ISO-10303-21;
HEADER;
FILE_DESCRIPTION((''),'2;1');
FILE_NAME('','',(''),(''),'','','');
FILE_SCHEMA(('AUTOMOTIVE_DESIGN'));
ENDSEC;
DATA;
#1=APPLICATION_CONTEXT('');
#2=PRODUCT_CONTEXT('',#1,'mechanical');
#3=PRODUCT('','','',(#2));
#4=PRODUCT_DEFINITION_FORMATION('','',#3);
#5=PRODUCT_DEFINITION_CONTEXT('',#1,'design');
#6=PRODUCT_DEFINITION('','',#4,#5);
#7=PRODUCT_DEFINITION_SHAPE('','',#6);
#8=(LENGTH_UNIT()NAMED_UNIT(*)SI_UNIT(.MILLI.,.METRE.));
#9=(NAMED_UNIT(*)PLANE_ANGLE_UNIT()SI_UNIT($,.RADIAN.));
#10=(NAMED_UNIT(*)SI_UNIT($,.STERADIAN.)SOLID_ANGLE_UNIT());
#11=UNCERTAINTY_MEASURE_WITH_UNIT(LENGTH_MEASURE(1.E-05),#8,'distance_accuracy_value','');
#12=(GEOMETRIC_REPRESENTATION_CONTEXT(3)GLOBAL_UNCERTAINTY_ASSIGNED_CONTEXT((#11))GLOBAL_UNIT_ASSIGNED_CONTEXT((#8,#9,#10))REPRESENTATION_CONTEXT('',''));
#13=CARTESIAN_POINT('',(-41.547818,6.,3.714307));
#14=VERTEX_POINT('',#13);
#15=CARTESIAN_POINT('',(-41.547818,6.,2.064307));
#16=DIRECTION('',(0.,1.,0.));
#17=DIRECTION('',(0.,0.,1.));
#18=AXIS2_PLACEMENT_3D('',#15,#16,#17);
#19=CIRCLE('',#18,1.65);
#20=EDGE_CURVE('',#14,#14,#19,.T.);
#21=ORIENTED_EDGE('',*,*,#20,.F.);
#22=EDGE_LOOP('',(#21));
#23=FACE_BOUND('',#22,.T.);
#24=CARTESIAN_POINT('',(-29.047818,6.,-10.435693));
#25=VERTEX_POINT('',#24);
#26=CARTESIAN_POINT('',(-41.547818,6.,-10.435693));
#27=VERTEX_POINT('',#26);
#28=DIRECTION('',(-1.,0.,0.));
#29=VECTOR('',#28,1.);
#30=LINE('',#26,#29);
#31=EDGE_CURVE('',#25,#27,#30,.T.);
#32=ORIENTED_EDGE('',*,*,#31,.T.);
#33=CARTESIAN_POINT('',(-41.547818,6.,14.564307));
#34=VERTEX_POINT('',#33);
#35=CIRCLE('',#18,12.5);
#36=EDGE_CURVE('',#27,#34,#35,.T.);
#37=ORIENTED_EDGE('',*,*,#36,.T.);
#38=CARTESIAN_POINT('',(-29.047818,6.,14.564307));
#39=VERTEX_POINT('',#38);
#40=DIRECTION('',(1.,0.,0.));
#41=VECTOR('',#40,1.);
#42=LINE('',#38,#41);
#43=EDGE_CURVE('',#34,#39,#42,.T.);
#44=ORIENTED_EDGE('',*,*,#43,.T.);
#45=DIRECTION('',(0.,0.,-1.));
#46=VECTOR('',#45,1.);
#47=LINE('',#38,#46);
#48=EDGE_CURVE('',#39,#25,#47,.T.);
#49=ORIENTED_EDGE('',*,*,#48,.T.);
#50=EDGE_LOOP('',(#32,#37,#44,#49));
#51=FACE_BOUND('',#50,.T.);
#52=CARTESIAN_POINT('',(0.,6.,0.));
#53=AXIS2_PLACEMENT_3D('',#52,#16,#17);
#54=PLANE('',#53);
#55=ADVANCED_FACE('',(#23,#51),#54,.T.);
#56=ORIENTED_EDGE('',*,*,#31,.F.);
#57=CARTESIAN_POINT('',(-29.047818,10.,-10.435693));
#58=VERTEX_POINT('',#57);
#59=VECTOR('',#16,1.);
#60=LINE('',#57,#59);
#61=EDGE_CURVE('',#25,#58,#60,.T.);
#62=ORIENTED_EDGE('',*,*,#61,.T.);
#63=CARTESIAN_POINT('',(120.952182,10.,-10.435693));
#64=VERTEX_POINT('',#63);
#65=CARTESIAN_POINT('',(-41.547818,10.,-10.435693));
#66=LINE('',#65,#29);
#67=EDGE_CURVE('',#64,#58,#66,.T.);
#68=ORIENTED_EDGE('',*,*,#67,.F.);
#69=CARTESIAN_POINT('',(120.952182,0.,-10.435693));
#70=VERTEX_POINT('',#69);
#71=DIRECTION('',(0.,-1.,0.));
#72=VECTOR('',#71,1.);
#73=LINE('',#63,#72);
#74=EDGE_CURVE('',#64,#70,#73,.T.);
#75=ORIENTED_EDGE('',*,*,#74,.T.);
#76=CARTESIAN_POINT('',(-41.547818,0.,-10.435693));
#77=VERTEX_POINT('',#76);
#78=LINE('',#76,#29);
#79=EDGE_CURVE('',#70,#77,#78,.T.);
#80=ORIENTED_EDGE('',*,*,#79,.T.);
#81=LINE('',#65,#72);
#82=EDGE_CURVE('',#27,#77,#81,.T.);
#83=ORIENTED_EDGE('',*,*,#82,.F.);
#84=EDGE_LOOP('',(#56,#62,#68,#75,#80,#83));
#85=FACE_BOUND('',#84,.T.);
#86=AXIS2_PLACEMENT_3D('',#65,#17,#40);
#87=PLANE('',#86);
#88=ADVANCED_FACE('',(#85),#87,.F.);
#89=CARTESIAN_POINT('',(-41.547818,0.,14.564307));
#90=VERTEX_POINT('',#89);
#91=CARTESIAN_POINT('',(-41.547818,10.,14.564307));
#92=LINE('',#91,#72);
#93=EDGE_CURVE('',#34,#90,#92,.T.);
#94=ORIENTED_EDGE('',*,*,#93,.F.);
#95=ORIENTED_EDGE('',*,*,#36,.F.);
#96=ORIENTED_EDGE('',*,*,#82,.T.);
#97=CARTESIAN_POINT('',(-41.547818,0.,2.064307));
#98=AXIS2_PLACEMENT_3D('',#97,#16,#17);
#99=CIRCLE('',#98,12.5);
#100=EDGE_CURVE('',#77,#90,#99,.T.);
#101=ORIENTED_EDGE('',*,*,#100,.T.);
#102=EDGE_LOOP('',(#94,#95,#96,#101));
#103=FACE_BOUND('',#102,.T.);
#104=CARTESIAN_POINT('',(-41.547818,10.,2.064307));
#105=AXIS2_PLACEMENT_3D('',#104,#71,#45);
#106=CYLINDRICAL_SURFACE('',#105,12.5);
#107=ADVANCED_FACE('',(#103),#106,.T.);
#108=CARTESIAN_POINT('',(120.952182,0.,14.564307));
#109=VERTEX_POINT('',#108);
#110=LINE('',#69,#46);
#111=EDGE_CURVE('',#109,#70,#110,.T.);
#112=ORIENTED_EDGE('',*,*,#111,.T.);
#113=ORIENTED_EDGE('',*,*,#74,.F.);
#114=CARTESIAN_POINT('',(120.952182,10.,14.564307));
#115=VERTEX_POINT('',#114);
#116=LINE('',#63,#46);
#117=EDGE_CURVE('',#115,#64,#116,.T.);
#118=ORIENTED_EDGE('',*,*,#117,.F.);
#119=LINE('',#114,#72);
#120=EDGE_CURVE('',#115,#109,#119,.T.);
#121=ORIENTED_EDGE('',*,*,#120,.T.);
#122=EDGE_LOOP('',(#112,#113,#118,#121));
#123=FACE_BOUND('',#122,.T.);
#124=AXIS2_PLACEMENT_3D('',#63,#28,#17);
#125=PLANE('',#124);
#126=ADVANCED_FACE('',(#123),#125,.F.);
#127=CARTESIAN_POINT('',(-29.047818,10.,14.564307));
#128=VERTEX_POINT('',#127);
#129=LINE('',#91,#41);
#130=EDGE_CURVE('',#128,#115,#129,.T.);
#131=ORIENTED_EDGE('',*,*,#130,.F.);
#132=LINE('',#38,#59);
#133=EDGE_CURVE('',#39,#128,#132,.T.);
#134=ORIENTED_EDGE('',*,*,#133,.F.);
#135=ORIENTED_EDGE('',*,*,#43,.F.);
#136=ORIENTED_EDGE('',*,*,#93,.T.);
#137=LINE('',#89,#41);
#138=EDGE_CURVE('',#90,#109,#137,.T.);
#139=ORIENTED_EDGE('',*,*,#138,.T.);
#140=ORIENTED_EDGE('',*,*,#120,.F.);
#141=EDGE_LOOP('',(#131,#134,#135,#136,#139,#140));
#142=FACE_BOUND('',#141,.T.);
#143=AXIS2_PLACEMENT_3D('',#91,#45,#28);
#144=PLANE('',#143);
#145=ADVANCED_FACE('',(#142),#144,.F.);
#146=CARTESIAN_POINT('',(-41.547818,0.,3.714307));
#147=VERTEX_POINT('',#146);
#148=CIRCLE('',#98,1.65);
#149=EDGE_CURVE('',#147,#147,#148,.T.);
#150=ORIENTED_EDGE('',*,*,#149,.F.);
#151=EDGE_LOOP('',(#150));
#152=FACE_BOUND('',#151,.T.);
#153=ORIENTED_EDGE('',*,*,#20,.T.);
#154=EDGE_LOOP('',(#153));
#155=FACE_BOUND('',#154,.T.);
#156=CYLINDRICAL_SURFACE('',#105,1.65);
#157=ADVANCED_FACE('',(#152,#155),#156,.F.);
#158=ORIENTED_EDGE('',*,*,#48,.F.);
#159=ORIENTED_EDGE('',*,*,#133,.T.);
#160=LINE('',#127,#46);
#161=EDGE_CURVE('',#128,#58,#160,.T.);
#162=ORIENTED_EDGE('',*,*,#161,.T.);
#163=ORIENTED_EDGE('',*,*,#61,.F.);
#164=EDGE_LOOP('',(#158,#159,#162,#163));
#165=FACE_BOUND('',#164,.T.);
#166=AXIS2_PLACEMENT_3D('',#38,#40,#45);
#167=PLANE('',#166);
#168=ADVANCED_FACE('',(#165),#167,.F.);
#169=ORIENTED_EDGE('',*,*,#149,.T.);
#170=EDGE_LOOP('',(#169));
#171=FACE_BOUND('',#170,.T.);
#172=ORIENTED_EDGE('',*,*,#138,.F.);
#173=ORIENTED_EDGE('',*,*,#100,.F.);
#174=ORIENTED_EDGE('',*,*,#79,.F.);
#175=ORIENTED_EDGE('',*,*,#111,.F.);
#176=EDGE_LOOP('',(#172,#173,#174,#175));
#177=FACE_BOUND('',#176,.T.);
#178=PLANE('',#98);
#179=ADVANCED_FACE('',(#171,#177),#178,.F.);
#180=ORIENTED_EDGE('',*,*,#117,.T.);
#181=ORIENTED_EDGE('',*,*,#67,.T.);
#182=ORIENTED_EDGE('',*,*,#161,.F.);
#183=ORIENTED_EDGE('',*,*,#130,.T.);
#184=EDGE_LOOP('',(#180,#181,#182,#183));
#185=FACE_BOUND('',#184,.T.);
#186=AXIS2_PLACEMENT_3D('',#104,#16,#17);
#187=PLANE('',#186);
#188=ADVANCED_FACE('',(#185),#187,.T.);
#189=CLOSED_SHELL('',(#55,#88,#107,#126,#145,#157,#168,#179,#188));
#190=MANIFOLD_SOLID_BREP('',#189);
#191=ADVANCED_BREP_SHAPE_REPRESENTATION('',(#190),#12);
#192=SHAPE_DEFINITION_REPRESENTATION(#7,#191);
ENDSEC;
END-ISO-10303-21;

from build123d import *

# Parameters (mm, degrees)
SKETCH1_R           = 1.65
BOSS_EXTRUDE1_DEPTH = 10
SKETCH2_W           = 29.50673097
SKETCH2_H           = 30.126833799
CUT_EXTRUDE1_DEPTH  = 4


with BuildPart() as part:
    # Sketch1 → Boss-Extrude1 (new body)
    with BuildSketch(Plane(origin=(0, 0, 0), x_dir=(1, 0, 0), z_dir=(0, 1, 0))):
        with BuildLine():
            Line((-41.547817516, 10.435693018), (120.952182484, 10.435693018))
            Line((120.952182484, 10.435693018), (120.952182484, -14.564306982))
            Line((120.952182484, -14.564306982), (-41.547817516, -14.564306982))
            ThreePointArc((-41.547817516, -14.564306982), (-54.047817516, -2.064306982), (-41.547817516, 10.435693018))
        make_face()
        with Locations((-41.547817516, -2.064306982)):
            Circle(SKETCH1_R, mode=Mode.SUBTRACT)
    extrude(amount=BOSS_EXTRUDE1_DEPTH)

    # Sketch2 → Cut-Extrude1 (cut)
    with BuildSketch(Plane(origin=(0, 10, 0), x_dir=(1, 0, 0), z_dir=(0, 1, 0))):
        with Locations((-43.801183001, 0.499109917)):
            Rectangle(SKETCH2_W, SKETCH2_H)
    extrude(amount=-CUT_EXTRUDE1_DEPTH, mode=Mode.SUBTRACT)


solid = part.part
